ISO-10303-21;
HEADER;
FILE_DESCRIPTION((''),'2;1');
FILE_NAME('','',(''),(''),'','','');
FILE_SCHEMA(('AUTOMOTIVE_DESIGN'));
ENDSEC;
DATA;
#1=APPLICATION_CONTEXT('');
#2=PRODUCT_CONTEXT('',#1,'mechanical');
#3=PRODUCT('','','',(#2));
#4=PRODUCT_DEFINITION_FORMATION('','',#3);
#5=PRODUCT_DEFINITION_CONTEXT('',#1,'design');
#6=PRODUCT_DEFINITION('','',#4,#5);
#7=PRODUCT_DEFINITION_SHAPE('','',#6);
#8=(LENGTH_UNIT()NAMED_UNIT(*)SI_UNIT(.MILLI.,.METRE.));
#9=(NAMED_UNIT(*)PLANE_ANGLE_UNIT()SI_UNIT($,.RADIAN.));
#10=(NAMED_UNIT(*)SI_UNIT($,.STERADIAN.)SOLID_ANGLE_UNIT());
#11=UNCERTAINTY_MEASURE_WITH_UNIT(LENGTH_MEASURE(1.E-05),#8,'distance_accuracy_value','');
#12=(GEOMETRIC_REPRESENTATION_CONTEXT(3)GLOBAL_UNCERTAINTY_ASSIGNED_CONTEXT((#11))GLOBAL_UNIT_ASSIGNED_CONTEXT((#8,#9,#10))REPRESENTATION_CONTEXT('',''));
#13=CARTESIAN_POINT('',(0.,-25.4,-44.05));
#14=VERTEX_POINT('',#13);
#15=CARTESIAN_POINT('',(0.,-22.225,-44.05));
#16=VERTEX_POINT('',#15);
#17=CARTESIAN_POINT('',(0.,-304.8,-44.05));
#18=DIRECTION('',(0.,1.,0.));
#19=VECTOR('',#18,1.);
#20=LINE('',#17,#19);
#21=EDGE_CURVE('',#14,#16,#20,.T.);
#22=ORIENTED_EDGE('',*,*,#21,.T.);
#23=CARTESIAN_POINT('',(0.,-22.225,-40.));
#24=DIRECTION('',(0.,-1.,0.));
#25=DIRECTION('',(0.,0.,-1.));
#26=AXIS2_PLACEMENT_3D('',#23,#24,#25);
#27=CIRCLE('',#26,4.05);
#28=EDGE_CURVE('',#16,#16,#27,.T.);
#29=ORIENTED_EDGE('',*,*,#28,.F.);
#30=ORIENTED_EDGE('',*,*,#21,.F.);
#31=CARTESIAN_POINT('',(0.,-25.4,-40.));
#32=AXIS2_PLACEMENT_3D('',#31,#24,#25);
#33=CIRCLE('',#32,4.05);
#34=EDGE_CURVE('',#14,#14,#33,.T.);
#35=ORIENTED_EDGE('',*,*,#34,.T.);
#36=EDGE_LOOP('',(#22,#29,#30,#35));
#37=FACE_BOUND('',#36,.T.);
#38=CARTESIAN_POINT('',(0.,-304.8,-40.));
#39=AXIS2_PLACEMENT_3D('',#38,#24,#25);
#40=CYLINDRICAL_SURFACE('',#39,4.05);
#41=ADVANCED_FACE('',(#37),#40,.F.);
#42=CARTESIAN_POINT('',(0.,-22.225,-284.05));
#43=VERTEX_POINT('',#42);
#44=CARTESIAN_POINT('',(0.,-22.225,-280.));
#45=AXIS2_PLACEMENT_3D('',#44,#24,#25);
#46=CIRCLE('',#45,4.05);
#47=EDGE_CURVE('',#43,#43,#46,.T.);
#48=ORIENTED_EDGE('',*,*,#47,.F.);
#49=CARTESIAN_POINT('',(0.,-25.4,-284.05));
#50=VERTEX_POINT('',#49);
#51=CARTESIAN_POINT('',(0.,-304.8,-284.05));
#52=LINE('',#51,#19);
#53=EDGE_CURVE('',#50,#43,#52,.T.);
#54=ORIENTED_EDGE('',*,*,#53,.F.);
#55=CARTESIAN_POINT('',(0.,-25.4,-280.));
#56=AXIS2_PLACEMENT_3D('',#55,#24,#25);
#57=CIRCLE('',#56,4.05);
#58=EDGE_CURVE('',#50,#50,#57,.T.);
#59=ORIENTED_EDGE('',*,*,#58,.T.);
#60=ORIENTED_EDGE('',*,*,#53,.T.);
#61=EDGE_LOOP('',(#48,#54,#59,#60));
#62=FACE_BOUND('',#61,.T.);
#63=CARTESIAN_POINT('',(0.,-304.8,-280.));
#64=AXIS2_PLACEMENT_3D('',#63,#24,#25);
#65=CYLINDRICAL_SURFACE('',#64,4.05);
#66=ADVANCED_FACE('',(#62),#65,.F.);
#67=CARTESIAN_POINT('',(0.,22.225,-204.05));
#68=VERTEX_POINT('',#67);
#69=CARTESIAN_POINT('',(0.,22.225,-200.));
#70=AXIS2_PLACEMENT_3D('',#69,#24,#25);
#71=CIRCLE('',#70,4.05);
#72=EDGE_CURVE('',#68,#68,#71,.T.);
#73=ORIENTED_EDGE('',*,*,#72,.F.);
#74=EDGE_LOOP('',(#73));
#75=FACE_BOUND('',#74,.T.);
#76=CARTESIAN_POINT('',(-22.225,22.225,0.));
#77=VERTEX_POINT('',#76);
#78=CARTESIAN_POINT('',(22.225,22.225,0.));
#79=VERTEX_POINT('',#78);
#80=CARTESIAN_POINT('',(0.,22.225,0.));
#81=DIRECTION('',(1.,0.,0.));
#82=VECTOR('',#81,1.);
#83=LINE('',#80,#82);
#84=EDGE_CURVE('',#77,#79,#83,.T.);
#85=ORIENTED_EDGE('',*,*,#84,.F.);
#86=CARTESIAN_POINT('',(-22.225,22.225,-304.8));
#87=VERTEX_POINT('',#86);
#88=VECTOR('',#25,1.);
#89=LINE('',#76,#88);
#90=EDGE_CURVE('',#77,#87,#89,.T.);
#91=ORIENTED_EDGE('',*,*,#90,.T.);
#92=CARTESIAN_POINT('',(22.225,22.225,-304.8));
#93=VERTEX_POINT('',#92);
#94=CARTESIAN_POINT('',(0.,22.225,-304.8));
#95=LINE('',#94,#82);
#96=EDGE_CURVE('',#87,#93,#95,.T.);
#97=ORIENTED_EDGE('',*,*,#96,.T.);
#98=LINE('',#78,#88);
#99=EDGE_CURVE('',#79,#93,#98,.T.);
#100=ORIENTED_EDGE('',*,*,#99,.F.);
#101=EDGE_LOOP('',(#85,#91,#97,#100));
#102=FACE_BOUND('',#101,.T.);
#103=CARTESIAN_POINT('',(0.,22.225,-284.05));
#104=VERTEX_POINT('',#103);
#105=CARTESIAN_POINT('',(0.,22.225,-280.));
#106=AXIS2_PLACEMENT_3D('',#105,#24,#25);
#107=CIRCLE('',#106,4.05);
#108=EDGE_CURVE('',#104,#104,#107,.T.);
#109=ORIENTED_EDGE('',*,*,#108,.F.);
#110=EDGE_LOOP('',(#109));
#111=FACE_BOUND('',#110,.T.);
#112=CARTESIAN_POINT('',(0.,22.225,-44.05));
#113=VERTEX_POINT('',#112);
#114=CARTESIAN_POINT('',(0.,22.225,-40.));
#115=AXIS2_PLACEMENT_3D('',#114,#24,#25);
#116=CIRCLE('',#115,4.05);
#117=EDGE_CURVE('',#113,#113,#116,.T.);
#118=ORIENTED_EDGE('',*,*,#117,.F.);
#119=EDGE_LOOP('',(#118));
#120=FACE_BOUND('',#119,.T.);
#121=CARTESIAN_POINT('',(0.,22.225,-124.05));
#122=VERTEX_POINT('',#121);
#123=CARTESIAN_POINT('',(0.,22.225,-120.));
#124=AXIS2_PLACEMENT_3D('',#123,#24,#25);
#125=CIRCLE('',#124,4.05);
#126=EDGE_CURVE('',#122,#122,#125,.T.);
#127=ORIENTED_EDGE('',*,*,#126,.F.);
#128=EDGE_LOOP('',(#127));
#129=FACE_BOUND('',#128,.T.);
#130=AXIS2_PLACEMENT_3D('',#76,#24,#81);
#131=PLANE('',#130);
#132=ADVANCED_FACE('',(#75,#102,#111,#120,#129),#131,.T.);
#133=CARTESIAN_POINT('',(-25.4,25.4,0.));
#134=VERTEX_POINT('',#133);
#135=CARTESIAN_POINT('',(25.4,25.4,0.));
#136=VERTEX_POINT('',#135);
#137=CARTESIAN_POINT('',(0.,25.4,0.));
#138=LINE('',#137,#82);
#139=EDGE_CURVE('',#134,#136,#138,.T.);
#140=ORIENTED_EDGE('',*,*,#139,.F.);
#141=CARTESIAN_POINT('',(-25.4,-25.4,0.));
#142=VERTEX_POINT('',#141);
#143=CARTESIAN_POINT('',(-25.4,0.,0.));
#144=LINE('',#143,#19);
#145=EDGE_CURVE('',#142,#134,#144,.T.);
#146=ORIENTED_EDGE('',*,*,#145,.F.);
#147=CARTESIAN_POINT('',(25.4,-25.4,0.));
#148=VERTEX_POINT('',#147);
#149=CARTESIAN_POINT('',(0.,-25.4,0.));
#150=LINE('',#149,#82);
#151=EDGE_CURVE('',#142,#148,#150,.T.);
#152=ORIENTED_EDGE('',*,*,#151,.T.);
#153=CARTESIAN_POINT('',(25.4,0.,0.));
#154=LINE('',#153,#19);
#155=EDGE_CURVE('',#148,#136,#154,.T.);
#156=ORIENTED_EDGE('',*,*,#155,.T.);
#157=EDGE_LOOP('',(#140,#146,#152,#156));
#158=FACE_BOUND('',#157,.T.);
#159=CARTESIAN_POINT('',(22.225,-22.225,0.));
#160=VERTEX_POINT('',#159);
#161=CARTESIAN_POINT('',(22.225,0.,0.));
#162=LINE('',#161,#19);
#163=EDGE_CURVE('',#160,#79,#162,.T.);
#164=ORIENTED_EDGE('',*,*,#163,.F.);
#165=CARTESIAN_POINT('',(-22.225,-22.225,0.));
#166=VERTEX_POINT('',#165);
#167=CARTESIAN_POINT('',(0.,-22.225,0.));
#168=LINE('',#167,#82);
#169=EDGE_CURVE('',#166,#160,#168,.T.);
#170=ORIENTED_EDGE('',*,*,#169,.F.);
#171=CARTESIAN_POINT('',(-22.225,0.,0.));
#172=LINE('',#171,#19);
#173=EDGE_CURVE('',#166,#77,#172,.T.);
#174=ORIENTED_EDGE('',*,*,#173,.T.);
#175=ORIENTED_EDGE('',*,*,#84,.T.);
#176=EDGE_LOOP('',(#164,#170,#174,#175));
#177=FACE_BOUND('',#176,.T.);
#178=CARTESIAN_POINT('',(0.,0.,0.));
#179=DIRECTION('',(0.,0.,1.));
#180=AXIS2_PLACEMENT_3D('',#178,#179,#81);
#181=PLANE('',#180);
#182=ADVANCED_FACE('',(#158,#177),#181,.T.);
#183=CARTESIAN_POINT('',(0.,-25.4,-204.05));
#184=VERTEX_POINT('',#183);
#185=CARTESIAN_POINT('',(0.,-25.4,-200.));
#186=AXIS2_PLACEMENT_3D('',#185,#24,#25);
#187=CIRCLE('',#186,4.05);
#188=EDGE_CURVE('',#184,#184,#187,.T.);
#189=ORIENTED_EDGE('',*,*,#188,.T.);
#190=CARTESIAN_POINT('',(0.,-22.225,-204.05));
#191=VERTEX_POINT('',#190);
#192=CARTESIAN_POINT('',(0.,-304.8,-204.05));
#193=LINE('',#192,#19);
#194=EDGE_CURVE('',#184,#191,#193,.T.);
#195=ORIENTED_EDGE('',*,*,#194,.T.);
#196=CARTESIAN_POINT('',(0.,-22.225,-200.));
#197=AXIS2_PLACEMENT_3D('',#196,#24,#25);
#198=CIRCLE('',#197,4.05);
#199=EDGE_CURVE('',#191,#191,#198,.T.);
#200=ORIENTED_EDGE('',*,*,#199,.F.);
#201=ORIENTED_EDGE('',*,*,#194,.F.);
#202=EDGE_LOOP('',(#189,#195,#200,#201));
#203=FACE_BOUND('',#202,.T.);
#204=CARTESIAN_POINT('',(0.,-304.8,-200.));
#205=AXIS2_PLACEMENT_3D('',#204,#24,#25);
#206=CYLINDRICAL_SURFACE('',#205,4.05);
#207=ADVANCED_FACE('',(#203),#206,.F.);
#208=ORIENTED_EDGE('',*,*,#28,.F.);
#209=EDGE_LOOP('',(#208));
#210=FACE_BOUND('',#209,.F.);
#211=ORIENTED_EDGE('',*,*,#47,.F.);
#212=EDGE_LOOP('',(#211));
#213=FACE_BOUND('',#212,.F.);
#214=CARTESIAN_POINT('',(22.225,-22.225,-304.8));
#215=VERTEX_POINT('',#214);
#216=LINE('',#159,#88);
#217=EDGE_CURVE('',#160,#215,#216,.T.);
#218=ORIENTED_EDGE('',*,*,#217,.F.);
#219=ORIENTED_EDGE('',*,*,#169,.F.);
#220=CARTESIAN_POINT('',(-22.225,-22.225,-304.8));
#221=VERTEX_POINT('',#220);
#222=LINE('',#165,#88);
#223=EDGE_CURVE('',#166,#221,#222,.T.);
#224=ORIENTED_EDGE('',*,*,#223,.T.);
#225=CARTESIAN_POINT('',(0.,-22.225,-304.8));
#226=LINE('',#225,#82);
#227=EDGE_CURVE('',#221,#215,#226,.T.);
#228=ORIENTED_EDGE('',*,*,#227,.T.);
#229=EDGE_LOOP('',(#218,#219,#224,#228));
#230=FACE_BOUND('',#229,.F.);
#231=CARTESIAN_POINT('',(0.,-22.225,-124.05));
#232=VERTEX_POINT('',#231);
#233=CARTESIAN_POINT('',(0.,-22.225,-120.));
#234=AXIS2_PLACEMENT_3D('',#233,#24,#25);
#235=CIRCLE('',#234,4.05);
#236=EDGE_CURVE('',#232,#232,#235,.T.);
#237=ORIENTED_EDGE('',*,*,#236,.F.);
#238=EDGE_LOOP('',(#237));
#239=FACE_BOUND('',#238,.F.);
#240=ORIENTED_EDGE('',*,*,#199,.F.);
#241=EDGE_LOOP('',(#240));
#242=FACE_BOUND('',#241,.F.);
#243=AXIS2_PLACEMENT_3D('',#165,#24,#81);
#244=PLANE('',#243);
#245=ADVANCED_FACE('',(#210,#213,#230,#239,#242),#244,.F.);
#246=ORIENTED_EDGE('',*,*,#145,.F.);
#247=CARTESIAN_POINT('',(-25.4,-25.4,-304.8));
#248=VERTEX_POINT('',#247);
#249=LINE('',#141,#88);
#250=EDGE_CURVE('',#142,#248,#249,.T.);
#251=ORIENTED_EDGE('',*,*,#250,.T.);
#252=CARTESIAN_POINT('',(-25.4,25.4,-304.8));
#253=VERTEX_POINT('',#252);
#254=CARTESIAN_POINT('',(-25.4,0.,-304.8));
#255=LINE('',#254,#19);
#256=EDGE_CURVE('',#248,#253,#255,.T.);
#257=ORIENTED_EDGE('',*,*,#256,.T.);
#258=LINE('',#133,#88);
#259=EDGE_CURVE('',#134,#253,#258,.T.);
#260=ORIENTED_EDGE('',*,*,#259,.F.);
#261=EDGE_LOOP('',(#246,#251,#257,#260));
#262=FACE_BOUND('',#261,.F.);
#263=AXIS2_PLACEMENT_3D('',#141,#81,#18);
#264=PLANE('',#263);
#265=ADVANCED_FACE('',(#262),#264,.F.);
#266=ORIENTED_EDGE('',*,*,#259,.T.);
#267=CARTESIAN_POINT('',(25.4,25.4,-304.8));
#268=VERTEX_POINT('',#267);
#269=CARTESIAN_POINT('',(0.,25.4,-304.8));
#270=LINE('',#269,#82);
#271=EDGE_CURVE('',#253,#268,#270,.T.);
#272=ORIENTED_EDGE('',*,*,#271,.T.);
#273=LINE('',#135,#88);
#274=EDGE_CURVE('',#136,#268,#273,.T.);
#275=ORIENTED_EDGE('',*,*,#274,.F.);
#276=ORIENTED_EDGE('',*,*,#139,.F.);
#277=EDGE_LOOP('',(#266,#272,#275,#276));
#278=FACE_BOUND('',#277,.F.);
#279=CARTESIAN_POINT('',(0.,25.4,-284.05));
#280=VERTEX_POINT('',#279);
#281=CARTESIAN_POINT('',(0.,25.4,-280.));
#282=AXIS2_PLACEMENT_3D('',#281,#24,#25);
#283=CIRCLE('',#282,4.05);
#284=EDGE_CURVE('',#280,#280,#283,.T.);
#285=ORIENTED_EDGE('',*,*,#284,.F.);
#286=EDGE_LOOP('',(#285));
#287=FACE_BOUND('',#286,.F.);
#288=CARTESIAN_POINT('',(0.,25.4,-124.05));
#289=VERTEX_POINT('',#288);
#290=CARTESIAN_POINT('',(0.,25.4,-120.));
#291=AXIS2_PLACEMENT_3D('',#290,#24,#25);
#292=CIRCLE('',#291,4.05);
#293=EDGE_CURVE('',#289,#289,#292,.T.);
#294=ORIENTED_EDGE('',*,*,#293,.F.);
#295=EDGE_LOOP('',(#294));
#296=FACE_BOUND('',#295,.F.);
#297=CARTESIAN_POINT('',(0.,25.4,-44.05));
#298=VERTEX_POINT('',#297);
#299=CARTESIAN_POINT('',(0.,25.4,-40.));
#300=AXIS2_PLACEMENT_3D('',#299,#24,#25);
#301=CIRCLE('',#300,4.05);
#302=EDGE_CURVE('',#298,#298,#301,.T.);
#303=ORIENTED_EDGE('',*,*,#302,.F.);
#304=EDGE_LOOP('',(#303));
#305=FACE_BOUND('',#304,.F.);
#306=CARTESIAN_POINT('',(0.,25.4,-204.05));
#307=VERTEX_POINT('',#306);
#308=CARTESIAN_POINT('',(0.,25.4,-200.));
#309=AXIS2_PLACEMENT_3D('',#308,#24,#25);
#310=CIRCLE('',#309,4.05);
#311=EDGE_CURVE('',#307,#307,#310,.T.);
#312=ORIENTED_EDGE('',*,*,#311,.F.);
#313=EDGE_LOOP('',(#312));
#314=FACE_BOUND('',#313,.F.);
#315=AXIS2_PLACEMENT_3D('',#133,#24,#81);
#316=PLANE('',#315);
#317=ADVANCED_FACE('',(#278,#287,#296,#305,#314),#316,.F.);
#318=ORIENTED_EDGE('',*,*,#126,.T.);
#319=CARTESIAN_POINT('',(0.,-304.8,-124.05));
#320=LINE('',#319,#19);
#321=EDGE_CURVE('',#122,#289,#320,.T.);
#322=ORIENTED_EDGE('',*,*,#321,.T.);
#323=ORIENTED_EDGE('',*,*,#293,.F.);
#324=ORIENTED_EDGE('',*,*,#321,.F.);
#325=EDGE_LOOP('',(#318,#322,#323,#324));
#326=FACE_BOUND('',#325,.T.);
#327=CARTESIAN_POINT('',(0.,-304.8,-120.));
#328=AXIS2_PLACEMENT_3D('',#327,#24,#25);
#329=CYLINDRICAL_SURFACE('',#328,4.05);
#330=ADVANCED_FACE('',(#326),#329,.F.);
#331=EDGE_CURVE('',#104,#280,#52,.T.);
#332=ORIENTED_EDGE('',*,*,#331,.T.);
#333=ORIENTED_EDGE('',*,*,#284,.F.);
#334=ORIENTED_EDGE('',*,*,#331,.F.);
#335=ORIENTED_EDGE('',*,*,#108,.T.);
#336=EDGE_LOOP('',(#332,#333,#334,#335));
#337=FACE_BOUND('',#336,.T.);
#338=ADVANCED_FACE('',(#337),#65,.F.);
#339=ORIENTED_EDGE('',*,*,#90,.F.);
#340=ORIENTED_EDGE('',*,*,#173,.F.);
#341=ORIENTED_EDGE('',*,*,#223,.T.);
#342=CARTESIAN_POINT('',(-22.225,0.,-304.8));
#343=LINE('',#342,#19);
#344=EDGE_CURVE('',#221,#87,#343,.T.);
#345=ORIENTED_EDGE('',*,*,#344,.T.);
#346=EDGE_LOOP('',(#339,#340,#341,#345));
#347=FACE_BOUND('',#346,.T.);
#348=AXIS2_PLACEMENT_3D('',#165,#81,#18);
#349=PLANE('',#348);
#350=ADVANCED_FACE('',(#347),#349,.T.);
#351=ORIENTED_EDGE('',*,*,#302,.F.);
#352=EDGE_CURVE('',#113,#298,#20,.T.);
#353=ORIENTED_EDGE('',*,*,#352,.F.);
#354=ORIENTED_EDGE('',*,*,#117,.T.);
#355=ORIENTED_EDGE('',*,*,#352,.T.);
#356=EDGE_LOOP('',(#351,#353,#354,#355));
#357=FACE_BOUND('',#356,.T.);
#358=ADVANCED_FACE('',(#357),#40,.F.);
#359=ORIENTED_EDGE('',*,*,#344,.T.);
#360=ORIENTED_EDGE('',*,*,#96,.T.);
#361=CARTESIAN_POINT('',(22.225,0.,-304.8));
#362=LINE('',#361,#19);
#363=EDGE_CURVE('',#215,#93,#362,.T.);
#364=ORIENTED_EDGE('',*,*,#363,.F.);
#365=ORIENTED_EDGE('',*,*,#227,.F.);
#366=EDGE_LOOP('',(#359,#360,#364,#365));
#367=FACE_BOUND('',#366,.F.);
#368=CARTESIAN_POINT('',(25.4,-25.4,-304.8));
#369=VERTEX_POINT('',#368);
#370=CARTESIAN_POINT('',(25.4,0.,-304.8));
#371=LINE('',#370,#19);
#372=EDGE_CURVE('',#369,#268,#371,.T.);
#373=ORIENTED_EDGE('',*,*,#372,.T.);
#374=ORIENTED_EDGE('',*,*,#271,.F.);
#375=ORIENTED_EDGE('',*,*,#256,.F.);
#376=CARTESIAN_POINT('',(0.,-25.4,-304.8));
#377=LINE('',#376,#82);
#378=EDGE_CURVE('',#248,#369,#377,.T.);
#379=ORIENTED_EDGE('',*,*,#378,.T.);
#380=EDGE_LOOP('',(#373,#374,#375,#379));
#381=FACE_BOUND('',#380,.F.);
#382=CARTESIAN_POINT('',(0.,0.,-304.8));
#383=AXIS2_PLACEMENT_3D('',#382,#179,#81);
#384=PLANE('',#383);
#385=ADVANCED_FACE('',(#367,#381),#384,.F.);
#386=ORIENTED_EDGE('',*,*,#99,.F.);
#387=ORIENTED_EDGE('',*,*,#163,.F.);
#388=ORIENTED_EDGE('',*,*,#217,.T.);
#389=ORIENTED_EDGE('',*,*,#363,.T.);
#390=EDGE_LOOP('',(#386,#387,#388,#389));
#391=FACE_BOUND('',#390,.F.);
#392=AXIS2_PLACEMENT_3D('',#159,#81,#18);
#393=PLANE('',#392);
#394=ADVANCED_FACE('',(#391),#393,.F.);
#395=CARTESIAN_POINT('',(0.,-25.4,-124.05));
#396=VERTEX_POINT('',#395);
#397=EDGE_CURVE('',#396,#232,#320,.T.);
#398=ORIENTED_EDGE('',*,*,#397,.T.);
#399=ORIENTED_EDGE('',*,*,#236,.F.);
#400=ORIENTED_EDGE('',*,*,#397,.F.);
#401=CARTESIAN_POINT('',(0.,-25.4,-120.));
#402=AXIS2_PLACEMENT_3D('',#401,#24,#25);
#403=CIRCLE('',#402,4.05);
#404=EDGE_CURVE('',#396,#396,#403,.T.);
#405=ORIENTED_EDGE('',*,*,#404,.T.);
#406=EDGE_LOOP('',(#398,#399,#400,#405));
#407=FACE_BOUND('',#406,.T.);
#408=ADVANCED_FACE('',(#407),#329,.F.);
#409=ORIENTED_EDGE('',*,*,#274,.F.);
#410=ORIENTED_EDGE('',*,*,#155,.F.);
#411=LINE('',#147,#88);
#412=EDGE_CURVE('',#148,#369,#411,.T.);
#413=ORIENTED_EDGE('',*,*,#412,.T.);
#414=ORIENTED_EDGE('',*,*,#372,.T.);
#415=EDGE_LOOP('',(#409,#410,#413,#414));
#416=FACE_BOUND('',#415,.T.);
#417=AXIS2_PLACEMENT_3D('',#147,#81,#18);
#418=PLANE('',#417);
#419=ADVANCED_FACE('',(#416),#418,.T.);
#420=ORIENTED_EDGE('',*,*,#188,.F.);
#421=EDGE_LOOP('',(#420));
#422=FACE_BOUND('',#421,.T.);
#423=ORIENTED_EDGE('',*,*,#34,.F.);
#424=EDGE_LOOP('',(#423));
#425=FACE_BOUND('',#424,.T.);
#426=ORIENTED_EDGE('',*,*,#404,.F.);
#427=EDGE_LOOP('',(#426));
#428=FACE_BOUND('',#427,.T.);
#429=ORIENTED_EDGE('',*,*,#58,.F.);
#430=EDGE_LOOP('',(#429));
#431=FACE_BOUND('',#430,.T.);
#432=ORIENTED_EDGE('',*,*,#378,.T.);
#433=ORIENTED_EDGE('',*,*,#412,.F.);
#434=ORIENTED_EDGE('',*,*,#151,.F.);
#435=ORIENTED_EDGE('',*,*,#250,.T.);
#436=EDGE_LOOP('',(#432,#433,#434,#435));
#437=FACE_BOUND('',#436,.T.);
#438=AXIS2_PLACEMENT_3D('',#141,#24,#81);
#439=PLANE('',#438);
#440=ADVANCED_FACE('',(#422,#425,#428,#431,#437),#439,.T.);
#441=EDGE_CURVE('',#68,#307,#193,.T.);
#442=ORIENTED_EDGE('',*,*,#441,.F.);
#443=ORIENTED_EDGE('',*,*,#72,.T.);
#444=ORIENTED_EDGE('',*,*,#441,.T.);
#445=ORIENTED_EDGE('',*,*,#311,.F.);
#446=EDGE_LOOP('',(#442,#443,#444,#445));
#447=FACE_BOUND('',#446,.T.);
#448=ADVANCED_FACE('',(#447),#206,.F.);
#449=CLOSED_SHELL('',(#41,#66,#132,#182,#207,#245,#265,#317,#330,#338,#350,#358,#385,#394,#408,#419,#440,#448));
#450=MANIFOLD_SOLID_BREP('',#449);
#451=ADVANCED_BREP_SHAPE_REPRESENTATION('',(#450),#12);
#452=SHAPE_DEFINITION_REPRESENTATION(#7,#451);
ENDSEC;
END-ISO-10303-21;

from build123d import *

# Parameters (mm, degrees)
SKETCH1_W               = 50.8
SKETCH1_H               = 50.8
SKETCH1_W_2             = 44.45
SKETCH1_H_2             = 44.45
BOSS_EXTRUDE1_DEPTH     = 304.8
CUT_EXTRUDE1_DEPTH      = 304.8
CUT_EXTRUDE1_DEPTH_BACK = 304.8
SKETCH2_R               = 4.05


with BuildPart() as part:
    # Sketch1 → Boss-Extrude1 (new body)
    with BuildSketch(Plane.XY):
        Rectangle(SKETCH1_W, SKETCH1_H)
        Rectangle(SKETCH1_W_2, SKETCH1_H_2, mode=Mode.SUBTRACT)
    extrude(amount=-BOSS_EXTRUDE1_DEPTH)

    # Sketch2 → Cut-Extrude1 (cut, two sides: drawn at the far end of the back side and taken through both)
    with BuildSketch(Plane(origin=(0, 0, 0), x_dir=(1, 0, 0), z_dir=(0, 1, 0)).offset(-CUT_EXTRUDE1_DEPTH_BACK)):
        with Locations(Location((0, 40, 0), (0, 0, 90))):
            Circle(SKETCH2_R)
        with Locations(Location((0, 120, 0), (0, 0, 90))):
            Circle(SKETCH2_R)
        with Locations(Location((0, 200, 0), (0, 0, 90))):
            Circle(SKETCH2_R)
        with Locations(Location((0, 280, 0), (0, 0, 90))):
            Circle(SKETCH2_R)
    extrude(amount=CUT_EXTRUDE1_DEPTH + CUT_EXTRUDE1_DEPTH_BACK, mode=Mode.SUBTRACT)


solid = part.part
